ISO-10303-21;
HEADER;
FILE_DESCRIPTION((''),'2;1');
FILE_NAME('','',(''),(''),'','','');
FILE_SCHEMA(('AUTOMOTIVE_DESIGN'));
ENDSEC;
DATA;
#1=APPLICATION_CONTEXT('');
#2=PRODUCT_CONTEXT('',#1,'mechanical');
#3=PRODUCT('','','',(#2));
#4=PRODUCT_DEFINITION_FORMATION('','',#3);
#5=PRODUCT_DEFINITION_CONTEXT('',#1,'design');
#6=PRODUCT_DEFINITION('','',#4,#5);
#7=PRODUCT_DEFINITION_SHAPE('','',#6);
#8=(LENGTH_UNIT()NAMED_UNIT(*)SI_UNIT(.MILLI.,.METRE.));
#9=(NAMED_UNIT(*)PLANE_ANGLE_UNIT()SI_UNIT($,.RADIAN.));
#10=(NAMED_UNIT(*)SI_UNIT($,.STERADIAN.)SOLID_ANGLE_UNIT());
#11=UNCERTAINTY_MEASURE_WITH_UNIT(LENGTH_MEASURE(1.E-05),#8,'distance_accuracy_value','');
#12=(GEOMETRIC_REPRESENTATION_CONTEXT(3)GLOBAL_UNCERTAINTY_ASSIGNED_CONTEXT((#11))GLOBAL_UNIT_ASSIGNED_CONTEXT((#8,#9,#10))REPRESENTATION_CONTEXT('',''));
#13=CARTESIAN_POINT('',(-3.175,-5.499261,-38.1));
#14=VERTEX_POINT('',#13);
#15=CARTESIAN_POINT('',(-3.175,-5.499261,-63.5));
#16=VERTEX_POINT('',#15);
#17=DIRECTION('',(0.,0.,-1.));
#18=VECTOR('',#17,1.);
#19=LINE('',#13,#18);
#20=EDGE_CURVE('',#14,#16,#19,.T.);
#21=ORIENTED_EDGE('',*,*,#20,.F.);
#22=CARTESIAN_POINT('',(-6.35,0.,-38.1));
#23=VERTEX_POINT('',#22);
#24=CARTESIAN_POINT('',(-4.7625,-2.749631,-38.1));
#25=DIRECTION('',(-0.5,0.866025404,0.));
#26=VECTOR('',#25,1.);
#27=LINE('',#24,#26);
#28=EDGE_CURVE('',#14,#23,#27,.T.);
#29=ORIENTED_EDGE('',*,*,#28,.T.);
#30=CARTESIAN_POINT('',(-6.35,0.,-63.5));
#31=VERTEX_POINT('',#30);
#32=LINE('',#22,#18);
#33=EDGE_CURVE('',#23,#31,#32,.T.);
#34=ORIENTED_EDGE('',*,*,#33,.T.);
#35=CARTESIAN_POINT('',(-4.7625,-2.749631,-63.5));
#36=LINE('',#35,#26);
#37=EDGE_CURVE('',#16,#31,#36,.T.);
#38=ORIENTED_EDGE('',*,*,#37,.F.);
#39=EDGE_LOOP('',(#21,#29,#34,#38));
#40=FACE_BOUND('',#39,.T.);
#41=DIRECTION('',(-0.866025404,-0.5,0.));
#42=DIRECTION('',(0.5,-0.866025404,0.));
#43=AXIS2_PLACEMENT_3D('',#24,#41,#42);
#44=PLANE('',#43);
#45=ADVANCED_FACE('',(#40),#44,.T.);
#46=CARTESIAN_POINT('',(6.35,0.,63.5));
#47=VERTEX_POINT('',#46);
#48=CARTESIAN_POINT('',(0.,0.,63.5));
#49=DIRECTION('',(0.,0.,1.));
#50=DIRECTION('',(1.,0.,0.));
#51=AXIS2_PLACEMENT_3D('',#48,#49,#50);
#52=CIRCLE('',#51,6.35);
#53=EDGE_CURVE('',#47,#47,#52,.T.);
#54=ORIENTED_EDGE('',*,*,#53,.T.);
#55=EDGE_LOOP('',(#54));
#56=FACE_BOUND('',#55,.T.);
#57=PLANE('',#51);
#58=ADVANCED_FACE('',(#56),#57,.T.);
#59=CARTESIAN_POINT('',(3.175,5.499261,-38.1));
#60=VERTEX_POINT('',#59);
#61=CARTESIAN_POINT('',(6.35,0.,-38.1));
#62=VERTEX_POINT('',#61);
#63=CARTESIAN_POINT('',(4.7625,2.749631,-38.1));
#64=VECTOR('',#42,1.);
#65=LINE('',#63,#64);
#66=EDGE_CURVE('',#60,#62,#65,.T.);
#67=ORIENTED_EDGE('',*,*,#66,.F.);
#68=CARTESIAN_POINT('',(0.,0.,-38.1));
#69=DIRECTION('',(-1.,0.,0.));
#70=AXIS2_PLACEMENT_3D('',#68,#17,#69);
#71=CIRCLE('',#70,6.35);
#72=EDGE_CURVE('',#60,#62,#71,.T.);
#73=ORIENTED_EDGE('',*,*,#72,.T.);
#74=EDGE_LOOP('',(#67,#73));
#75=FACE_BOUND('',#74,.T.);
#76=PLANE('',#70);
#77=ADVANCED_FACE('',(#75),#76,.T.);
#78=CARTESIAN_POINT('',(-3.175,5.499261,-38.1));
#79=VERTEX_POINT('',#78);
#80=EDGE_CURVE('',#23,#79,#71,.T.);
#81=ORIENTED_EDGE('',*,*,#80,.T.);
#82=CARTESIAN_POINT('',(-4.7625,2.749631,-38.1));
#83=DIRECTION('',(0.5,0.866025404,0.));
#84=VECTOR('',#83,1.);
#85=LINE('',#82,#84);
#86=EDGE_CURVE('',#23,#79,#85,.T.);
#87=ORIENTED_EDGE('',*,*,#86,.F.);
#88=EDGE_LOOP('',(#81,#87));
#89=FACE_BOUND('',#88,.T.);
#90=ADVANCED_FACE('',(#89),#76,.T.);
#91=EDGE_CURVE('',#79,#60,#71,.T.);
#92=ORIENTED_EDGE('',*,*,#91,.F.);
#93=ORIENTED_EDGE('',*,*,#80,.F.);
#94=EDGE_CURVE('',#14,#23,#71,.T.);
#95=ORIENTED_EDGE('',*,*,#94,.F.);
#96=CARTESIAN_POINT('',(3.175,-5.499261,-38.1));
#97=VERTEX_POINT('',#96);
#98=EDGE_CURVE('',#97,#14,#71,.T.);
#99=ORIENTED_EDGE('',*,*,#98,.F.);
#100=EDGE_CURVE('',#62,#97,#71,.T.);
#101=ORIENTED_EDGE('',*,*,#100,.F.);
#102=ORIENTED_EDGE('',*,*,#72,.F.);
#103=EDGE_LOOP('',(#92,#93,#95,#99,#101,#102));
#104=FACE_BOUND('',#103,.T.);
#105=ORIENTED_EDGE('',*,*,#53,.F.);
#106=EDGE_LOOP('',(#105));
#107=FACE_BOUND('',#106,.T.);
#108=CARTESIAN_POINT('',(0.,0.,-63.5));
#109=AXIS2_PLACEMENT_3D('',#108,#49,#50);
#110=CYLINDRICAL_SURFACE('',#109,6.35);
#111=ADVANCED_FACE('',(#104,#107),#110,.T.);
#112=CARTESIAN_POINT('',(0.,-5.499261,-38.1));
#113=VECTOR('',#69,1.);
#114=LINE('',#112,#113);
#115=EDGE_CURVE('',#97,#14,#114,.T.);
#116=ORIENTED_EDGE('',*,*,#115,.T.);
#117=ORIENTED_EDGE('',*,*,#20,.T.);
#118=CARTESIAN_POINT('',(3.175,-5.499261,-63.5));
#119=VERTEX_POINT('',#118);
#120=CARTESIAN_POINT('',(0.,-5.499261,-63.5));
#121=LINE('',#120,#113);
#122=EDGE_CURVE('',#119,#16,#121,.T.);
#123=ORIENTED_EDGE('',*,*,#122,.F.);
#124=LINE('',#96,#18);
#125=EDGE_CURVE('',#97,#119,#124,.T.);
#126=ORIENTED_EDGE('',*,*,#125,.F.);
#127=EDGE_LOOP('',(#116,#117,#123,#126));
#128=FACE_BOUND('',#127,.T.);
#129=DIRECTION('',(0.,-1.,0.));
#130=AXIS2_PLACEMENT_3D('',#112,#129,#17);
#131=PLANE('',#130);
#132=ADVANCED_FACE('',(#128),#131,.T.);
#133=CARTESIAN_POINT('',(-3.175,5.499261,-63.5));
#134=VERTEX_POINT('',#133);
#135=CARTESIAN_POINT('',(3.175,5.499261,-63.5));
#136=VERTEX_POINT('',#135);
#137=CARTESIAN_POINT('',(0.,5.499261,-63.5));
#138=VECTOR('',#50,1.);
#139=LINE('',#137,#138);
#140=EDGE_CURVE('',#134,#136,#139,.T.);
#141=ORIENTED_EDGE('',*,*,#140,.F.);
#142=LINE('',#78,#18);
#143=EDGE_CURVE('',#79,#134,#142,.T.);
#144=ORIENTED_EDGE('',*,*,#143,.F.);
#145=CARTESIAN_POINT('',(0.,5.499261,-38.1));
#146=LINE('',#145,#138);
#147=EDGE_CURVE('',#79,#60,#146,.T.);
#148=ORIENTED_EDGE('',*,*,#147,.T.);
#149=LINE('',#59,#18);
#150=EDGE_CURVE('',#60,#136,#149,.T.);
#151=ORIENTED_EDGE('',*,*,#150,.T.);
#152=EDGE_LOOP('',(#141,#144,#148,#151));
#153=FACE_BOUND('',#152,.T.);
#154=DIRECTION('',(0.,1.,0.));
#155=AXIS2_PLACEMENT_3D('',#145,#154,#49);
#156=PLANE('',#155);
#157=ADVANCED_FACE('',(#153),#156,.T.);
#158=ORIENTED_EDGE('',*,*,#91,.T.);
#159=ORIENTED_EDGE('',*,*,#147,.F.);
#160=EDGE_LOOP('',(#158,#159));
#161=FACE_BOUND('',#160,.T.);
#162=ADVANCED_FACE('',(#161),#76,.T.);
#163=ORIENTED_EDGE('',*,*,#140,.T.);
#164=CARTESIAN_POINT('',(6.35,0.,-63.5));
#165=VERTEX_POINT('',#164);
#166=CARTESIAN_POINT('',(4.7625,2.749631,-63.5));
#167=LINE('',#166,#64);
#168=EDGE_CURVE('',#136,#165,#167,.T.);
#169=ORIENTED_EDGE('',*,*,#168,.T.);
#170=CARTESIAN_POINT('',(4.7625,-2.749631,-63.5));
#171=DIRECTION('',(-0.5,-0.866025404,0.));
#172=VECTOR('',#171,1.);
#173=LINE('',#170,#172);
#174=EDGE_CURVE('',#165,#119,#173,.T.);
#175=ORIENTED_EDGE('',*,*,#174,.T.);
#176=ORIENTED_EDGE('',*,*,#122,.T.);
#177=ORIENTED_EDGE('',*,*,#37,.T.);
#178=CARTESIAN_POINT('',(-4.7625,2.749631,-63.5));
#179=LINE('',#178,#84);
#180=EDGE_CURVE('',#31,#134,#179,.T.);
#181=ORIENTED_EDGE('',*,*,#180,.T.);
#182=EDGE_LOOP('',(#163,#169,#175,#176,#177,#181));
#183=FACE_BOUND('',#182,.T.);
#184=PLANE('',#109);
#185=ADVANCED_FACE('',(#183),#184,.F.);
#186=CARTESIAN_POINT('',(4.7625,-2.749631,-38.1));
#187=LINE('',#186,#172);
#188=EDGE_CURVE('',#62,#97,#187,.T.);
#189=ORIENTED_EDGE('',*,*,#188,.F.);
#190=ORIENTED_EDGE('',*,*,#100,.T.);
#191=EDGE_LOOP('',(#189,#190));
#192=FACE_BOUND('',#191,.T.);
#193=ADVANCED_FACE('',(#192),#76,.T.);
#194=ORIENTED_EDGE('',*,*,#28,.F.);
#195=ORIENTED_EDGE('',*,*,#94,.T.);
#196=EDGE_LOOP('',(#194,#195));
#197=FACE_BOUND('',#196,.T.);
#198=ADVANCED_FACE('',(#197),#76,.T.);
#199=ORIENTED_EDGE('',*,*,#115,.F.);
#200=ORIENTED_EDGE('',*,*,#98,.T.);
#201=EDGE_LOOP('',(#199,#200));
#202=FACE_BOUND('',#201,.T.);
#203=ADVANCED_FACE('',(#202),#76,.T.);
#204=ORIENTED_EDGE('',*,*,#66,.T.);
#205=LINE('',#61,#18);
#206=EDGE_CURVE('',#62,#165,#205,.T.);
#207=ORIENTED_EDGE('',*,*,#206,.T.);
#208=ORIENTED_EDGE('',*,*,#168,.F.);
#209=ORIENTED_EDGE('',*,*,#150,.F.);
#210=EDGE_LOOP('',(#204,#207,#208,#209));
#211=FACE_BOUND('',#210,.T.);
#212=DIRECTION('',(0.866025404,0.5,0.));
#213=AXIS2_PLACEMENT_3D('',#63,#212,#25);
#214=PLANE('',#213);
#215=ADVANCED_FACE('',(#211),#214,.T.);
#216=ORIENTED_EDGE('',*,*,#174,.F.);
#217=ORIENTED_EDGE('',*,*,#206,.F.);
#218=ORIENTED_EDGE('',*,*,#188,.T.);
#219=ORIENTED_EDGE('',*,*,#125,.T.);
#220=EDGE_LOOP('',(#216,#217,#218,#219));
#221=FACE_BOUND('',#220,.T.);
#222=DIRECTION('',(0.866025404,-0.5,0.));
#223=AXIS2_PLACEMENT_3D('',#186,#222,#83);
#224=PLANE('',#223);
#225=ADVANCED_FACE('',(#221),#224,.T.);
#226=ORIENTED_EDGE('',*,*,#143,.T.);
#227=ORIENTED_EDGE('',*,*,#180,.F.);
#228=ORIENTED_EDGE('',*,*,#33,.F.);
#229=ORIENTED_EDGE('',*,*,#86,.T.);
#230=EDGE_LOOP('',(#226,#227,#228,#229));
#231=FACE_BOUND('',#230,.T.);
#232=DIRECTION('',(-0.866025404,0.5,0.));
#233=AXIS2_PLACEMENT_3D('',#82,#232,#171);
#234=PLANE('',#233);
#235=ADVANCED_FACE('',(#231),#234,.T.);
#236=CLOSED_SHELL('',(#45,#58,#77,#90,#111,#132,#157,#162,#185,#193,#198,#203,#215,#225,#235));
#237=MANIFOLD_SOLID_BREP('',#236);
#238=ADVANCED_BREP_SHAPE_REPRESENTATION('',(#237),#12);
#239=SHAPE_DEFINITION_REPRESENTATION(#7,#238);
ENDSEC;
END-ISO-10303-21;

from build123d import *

# Parameters (mm, degrees)
BOSS_EXTRUDE1_DEPTH      = 63.5
BOSS_EXTRUDE1_DEPTH_BACK = 63.5
SKETCH1_R                = 6.35
CUT_EXTRUDE1_DEPTH       = 25.4


with BuildPart() as part:
    # Sketch1 → Boss-Extrude1 (new, two sides: drawn at the far end of the back side and taken through both)
    with BuildSketch(Plane.XY.offset(-BOSS_EXTRUDE1_DEPTH_BACK)):
        Circle(SKETCH1_R)
    extrude(amount=BOSS_EXTRUDE1_DEPTH + BOSS_EXTRUDE1_DEPTH_BACK)

    # Sketch2 → Cut-Extrude1 (cut)
    with BuildSketch(Plane(origin=(0, 0, -63.5), x_dir=(-1, 0, 0), z_dir=(0, 0, -1))):
        with BuildLine():
            ThreePointArc((6.35, 0), (5.499261314, 3.175), (3.175, 5.499261314))
            Line((3.175, 5.499261314), (6.35, 0))
        make_face()
        with BuildLine():
            Line((-3.175, 5.499261314), (3.175, 5.499261314))
            ThreePointArc((3.175, 5.499261314), (0, 6.35), (-3.175, 5.499261314))
        make_face()
        with BuildLine():
            Line((-6.35, 0), (-3.175, 5.499261314))
            ThreePointArc((-3.175, 5.499261314), (-5.499261314, 3.175), (-6.35, 0))
        make_face()
        with BuildLine():
            ThreePointArc((3.175, -5.499261314), (5.499261314, -3.175), (6.35, 0))
            Line((6.35, 0), (3.175, -5.499261314))
        make_face()
        with BuildLine():
            Line((-3.175, -5.499261314), (-6.35, 0))
            ThreePointArc((-6.35, 0), (-5.499261314, -3.175), (-3.175, -5.499261314))
        make_face()
        with BuildLine():
            ThreePointArc((-3.175, -5.499261314), (0, -6.35), (3.175, -5.499261314))
            Line((3.175, -5.499261314), (-3.175, -5.499261314))
        make_face()
    extrude(amount=-CUT_EXTRUDE1_DEPTH, mode=Mode.SUBTRACT)


solid = part.part
